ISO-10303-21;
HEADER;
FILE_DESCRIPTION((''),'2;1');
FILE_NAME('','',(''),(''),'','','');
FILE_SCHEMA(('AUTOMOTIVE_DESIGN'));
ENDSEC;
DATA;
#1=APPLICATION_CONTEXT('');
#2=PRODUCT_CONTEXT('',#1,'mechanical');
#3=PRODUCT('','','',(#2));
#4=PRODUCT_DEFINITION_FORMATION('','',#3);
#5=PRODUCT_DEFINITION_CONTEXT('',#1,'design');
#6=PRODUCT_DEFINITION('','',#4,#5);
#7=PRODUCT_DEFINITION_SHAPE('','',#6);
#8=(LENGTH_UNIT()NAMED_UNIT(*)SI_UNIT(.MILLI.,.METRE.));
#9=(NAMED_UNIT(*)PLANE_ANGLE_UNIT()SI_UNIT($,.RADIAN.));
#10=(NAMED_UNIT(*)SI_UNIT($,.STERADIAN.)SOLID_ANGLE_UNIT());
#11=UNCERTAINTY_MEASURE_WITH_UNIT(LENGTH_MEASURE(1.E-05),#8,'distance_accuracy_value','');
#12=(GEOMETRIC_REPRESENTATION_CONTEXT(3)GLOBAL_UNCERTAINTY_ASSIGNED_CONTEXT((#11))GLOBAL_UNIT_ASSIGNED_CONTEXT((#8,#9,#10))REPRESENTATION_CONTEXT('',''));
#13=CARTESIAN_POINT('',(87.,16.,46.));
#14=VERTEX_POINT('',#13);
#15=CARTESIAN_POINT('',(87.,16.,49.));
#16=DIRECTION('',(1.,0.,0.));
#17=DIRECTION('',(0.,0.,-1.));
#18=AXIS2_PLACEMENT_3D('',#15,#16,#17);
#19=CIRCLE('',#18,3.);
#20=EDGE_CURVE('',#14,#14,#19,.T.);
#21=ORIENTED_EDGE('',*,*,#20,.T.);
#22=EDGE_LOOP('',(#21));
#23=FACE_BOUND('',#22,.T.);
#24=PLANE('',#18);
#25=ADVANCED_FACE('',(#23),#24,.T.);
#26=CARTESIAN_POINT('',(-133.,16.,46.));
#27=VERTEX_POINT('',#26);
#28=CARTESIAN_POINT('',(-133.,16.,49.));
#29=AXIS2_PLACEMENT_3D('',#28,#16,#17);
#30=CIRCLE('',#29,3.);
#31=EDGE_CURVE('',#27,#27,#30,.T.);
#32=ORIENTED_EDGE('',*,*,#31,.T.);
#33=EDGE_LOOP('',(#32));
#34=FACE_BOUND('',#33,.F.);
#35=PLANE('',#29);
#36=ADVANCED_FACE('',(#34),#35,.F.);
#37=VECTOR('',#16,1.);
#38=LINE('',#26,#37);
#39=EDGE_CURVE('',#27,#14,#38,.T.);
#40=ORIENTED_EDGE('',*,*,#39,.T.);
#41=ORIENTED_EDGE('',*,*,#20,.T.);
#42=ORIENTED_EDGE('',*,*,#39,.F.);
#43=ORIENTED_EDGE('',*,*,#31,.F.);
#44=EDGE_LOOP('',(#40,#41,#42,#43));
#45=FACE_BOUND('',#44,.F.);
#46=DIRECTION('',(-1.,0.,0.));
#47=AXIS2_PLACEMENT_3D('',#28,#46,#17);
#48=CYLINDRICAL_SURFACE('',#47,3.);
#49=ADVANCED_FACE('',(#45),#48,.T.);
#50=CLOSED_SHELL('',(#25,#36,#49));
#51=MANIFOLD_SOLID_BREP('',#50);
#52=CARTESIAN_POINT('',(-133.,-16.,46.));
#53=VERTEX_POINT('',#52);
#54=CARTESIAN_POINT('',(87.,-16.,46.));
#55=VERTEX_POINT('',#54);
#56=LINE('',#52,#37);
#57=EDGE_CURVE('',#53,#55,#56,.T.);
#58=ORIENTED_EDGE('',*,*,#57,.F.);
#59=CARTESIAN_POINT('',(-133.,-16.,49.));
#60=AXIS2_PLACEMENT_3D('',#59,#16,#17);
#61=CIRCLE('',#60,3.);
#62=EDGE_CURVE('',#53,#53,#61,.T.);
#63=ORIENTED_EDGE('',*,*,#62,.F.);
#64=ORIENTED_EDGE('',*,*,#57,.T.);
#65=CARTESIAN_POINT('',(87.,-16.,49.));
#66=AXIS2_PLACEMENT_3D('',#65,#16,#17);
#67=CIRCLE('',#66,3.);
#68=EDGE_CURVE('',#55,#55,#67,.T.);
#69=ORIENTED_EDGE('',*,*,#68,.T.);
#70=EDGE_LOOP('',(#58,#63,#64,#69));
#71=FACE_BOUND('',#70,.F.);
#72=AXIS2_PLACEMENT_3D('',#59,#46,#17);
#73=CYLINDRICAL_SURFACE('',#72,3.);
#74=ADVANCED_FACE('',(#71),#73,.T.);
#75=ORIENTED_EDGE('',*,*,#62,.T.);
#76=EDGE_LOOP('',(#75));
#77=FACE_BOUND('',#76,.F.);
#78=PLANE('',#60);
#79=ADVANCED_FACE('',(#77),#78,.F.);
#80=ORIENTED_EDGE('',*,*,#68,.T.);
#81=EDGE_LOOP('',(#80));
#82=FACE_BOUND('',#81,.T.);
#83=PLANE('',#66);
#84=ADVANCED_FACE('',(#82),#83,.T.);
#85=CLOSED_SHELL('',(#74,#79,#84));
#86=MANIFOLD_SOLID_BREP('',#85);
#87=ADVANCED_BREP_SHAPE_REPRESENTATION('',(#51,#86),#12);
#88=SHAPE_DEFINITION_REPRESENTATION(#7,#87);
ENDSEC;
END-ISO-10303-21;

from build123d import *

# Parameters (mm, degrees)
CYLINDER050_R     = 3
CYLINDER050_DEPTH = 220
CYLINDER049_R     = 3
CYLINDER049_DEPTH = 220


with BuildPart() as column006:
    # Cylinder050 → Cylinder050 (new body)
    with BuildSketch(Plane(origin=(-133, 16, 49), x_dir=(0, 0, -1), z_dir=(1, 0, 0))):
        Circle(CYLINDER050_R)
    extrude(amount=CYLINDER050_DEPTH)


with BuildPart() as toppilars001:
    # Cylinder049 → Cylinder049 (new body)
    with BuildSketch(Plane(origin=(-133, -16, 49), x_dir=(0, 0, -1), z_dir=(1, 0, 0))):
        Circle(CYLINDER049_R)
    extrude(amount=CYLINDER049_DEPTH)

    # Fusion001002012030: union Column006
    add(column006.part)


solid = toppilars001.part
